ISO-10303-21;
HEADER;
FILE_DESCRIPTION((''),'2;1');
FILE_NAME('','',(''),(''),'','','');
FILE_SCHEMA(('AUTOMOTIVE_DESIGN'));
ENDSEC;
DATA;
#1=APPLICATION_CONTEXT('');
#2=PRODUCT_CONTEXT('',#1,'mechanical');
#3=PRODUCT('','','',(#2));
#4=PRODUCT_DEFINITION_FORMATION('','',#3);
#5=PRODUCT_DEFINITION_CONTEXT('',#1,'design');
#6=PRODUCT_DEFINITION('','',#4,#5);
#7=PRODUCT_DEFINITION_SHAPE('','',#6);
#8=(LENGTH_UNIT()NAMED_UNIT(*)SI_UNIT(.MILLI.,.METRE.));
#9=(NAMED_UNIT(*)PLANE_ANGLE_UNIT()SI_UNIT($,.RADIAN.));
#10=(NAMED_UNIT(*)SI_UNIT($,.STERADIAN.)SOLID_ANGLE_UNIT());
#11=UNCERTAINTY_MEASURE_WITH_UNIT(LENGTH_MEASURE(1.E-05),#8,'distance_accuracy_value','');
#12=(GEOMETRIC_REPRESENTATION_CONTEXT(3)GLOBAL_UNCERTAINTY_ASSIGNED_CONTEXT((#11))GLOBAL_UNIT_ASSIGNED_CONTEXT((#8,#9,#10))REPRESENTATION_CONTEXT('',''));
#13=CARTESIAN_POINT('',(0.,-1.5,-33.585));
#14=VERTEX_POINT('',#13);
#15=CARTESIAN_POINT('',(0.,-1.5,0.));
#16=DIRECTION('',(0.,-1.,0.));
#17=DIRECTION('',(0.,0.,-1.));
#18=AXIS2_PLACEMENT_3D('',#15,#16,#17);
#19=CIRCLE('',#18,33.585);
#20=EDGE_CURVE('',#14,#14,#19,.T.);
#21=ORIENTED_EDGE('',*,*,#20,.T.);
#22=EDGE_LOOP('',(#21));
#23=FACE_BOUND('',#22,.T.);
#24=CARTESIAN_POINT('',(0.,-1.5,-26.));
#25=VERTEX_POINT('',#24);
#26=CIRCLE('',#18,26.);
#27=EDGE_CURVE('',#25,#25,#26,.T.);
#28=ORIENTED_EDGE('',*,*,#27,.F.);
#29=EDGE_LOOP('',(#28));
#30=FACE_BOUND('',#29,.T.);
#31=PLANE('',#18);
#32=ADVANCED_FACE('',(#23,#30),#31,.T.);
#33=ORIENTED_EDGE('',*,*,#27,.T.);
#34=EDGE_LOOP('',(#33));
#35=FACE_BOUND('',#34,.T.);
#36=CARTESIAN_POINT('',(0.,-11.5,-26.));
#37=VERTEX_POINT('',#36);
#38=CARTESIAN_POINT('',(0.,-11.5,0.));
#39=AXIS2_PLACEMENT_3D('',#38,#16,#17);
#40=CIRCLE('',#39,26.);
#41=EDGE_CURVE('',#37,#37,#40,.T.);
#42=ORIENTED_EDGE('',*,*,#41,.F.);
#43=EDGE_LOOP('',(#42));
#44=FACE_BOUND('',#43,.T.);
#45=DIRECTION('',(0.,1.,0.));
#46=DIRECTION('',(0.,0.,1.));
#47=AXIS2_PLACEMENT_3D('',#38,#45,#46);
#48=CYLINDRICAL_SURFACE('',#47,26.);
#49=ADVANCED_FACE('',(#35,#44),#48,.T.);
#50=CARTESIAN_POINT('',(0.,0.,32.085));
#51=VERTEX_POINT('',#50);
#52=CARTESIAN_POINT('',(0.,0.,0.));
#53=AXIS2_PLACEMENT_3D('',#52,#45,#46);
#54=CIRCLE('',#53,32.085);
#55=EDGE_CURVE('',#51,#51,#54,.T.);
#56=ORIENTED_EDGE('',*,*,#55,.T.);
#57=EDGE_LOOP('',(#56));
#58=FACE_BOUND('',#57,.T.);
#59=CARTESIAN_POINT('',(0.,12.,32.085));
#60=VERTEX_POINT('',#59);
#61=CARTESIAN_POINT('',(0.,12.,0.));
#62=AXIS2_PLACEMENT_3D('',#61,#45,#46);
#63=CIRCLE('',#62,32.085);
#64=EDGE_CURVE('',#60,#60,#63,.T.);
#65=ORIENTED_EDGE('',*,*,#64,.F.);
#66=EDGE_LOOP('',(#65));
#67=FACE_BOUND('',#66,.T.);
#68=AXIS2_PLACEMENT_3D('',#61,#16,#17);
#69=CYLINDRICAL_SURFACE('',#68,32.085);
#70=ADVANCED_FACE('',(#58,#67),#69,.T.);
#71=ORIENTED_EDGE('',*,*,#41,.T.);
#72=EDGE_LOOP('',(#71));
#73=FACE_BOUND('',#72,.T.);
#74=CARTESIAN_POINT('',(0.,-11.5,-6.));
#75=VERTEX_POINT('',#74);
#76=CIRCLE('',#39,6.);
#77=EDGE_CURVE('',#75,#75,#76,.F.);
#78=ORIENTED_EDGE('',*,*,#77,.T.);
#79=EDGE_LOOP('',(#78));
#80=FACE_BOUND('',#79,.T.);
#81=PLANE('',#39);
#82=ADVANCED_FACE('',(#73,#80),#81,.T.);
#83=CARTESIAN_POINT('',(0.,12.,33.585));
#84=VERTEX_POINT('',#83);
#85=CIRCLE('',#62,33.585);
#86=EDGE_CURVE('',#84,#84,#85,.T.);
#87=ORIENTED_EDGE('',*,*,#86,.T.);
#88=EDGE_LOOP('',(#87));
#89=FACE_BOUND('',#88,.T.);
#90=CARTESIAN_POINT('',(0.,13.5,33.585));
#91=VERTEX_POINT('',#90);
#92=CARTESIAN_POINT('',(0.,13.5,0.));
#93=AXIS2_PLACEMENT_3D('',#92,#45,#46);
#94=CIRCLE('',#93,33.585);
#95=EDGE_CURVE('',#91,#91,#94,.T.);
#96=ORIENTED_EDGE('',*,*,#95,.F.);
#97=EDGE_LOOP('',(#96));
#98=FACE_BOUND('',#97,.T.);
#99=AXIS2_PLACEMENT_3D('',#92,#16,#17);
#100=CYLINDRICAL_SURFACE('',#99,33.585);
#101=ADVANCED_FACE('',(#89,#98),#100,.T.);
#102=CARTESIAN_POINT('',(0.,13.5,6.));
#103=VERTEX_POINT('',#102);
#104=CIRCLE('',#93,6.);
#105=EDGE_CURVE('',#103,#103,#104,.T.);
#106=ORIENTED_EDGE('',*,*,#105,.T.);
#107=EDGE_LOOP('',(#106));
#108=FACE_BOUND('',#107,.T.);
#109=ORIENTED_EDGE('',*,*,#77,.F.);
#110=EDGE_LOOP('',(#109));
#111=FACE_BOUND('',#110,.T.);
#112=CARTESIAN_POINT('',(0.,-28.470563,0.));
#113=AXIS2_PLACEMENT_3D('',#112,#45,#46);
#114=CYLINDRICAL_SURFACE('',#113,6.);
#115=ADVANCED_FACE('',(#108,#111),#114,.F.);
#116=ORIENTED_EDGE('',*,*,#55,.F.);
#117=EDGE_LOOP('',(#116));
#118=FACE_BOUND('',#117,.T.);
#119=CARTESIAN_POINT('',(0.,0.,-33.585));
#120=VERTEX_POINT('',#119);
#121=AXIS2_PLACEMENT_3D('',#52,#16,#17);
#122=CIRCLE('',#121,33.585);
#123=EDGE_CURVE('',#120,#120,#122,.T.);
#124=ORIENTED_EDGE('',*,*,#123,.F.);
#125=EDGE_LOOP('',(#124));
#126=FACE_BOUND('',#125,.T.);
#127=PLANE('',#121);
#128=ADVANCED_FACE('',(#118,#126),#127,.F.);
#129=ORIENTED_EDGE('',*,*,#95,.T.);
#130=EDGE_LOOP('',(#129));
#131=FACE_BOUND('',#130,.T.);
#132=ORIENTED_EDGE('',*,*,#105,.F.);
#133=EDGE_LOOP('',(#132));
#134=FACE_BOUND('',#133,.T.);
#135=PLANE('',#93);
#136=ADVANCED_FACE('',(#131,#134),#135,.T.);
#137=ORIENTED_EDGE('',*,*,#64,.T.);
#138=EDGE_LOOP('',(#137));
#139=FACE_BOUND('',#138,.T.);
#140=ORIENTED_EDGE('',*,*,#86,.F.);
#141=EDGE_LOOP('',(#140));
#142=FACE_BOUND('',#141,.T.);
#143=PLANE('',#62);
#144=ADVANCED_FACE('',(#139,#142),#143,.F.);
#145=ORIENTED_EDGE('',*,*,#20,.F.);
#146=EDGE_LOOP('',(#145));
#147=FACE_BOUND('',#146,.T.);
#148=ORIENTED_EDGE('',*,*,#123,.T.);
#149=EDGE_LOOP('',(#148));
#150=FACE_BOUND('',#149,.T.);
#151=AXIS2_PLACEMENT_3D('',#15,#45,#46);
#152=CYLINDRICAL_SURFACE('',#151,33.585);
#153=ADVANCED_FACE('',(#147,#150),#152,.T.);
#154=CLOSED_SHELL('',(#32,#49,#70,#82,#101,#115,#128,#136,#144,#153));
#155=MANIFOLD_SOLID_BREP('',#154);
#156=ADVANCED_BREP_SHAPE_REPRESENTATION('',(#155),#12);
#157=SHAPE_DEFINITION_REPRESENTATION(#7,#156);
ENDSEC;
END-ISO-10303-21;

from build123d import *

# Parameters (mm, degrees)
SKETCH1_R           = 32.085
BOSS_EXTRUDE1_DEPTH = 12
SKETCH3_R           = 33.585
BOSS_EXTRUDE3_DEPTH = 1.5
SKETCH4_R           = 33.585
BOSS_EXTRUDE4_DEPTH = 1.5
SKETCH5_R           = 26
BOSS_EXTRUDE5_DEPTH = 10
SKETCH6_R           = 6
CUT_EXTRUDE1_DEPTH  = 25


with BuildPart() as part:
    # Sketch1 → Boss-Extrude1 (new body)
    with BuildSketch(Plane(origin=(0, 0, 0), x_dir=(1, 0, 0), z_dir=(0, 1, 0))):
        Circle(SKETCH1_R)
    extrude(amount=BOSS_EXTRUDE1_DEPTH)

    # Sketch3 → Boss-Extrude3 (add)
    with BuildSketch(Plane(origin=(0, 12, 0), x_dir=(1, 0, 0), z_dir=(0, 1, 0))):
        Circle(SKETCH3_R)
    extrude(amount=BOSS_EXTRUDE3_DEPTH)

    # Sketch4 → Boss-Extrude4 (add)
    with BuildSketch(Plane.XZ):
        Circle(SKETCH4_R)
    extrude(amount=BOSS_EXTRUDE4_DEPTH)

    # Sketch5 → Boss-Extrude5 (add)
    with BuildSketch(Plane.XZ.offset(1.5)):
        Circle(SKETCH5_R)
    extrude(amount=BOSS_EXTRUDE5_DEPTH)

    # Sketch6 → Cut-Extrude1 (cut)
    with BuildSketch(Plane(origin=(0, 13.5, 0), x_dir=(1, 0, 0), z_dir=(0, 1, 0))):
        Circle(SKETCH6_R)
    extrude(amount=-CUT_EXTRUDE1_DEPTH, mode=Mode.SUBTRACT)


solid = part.part
